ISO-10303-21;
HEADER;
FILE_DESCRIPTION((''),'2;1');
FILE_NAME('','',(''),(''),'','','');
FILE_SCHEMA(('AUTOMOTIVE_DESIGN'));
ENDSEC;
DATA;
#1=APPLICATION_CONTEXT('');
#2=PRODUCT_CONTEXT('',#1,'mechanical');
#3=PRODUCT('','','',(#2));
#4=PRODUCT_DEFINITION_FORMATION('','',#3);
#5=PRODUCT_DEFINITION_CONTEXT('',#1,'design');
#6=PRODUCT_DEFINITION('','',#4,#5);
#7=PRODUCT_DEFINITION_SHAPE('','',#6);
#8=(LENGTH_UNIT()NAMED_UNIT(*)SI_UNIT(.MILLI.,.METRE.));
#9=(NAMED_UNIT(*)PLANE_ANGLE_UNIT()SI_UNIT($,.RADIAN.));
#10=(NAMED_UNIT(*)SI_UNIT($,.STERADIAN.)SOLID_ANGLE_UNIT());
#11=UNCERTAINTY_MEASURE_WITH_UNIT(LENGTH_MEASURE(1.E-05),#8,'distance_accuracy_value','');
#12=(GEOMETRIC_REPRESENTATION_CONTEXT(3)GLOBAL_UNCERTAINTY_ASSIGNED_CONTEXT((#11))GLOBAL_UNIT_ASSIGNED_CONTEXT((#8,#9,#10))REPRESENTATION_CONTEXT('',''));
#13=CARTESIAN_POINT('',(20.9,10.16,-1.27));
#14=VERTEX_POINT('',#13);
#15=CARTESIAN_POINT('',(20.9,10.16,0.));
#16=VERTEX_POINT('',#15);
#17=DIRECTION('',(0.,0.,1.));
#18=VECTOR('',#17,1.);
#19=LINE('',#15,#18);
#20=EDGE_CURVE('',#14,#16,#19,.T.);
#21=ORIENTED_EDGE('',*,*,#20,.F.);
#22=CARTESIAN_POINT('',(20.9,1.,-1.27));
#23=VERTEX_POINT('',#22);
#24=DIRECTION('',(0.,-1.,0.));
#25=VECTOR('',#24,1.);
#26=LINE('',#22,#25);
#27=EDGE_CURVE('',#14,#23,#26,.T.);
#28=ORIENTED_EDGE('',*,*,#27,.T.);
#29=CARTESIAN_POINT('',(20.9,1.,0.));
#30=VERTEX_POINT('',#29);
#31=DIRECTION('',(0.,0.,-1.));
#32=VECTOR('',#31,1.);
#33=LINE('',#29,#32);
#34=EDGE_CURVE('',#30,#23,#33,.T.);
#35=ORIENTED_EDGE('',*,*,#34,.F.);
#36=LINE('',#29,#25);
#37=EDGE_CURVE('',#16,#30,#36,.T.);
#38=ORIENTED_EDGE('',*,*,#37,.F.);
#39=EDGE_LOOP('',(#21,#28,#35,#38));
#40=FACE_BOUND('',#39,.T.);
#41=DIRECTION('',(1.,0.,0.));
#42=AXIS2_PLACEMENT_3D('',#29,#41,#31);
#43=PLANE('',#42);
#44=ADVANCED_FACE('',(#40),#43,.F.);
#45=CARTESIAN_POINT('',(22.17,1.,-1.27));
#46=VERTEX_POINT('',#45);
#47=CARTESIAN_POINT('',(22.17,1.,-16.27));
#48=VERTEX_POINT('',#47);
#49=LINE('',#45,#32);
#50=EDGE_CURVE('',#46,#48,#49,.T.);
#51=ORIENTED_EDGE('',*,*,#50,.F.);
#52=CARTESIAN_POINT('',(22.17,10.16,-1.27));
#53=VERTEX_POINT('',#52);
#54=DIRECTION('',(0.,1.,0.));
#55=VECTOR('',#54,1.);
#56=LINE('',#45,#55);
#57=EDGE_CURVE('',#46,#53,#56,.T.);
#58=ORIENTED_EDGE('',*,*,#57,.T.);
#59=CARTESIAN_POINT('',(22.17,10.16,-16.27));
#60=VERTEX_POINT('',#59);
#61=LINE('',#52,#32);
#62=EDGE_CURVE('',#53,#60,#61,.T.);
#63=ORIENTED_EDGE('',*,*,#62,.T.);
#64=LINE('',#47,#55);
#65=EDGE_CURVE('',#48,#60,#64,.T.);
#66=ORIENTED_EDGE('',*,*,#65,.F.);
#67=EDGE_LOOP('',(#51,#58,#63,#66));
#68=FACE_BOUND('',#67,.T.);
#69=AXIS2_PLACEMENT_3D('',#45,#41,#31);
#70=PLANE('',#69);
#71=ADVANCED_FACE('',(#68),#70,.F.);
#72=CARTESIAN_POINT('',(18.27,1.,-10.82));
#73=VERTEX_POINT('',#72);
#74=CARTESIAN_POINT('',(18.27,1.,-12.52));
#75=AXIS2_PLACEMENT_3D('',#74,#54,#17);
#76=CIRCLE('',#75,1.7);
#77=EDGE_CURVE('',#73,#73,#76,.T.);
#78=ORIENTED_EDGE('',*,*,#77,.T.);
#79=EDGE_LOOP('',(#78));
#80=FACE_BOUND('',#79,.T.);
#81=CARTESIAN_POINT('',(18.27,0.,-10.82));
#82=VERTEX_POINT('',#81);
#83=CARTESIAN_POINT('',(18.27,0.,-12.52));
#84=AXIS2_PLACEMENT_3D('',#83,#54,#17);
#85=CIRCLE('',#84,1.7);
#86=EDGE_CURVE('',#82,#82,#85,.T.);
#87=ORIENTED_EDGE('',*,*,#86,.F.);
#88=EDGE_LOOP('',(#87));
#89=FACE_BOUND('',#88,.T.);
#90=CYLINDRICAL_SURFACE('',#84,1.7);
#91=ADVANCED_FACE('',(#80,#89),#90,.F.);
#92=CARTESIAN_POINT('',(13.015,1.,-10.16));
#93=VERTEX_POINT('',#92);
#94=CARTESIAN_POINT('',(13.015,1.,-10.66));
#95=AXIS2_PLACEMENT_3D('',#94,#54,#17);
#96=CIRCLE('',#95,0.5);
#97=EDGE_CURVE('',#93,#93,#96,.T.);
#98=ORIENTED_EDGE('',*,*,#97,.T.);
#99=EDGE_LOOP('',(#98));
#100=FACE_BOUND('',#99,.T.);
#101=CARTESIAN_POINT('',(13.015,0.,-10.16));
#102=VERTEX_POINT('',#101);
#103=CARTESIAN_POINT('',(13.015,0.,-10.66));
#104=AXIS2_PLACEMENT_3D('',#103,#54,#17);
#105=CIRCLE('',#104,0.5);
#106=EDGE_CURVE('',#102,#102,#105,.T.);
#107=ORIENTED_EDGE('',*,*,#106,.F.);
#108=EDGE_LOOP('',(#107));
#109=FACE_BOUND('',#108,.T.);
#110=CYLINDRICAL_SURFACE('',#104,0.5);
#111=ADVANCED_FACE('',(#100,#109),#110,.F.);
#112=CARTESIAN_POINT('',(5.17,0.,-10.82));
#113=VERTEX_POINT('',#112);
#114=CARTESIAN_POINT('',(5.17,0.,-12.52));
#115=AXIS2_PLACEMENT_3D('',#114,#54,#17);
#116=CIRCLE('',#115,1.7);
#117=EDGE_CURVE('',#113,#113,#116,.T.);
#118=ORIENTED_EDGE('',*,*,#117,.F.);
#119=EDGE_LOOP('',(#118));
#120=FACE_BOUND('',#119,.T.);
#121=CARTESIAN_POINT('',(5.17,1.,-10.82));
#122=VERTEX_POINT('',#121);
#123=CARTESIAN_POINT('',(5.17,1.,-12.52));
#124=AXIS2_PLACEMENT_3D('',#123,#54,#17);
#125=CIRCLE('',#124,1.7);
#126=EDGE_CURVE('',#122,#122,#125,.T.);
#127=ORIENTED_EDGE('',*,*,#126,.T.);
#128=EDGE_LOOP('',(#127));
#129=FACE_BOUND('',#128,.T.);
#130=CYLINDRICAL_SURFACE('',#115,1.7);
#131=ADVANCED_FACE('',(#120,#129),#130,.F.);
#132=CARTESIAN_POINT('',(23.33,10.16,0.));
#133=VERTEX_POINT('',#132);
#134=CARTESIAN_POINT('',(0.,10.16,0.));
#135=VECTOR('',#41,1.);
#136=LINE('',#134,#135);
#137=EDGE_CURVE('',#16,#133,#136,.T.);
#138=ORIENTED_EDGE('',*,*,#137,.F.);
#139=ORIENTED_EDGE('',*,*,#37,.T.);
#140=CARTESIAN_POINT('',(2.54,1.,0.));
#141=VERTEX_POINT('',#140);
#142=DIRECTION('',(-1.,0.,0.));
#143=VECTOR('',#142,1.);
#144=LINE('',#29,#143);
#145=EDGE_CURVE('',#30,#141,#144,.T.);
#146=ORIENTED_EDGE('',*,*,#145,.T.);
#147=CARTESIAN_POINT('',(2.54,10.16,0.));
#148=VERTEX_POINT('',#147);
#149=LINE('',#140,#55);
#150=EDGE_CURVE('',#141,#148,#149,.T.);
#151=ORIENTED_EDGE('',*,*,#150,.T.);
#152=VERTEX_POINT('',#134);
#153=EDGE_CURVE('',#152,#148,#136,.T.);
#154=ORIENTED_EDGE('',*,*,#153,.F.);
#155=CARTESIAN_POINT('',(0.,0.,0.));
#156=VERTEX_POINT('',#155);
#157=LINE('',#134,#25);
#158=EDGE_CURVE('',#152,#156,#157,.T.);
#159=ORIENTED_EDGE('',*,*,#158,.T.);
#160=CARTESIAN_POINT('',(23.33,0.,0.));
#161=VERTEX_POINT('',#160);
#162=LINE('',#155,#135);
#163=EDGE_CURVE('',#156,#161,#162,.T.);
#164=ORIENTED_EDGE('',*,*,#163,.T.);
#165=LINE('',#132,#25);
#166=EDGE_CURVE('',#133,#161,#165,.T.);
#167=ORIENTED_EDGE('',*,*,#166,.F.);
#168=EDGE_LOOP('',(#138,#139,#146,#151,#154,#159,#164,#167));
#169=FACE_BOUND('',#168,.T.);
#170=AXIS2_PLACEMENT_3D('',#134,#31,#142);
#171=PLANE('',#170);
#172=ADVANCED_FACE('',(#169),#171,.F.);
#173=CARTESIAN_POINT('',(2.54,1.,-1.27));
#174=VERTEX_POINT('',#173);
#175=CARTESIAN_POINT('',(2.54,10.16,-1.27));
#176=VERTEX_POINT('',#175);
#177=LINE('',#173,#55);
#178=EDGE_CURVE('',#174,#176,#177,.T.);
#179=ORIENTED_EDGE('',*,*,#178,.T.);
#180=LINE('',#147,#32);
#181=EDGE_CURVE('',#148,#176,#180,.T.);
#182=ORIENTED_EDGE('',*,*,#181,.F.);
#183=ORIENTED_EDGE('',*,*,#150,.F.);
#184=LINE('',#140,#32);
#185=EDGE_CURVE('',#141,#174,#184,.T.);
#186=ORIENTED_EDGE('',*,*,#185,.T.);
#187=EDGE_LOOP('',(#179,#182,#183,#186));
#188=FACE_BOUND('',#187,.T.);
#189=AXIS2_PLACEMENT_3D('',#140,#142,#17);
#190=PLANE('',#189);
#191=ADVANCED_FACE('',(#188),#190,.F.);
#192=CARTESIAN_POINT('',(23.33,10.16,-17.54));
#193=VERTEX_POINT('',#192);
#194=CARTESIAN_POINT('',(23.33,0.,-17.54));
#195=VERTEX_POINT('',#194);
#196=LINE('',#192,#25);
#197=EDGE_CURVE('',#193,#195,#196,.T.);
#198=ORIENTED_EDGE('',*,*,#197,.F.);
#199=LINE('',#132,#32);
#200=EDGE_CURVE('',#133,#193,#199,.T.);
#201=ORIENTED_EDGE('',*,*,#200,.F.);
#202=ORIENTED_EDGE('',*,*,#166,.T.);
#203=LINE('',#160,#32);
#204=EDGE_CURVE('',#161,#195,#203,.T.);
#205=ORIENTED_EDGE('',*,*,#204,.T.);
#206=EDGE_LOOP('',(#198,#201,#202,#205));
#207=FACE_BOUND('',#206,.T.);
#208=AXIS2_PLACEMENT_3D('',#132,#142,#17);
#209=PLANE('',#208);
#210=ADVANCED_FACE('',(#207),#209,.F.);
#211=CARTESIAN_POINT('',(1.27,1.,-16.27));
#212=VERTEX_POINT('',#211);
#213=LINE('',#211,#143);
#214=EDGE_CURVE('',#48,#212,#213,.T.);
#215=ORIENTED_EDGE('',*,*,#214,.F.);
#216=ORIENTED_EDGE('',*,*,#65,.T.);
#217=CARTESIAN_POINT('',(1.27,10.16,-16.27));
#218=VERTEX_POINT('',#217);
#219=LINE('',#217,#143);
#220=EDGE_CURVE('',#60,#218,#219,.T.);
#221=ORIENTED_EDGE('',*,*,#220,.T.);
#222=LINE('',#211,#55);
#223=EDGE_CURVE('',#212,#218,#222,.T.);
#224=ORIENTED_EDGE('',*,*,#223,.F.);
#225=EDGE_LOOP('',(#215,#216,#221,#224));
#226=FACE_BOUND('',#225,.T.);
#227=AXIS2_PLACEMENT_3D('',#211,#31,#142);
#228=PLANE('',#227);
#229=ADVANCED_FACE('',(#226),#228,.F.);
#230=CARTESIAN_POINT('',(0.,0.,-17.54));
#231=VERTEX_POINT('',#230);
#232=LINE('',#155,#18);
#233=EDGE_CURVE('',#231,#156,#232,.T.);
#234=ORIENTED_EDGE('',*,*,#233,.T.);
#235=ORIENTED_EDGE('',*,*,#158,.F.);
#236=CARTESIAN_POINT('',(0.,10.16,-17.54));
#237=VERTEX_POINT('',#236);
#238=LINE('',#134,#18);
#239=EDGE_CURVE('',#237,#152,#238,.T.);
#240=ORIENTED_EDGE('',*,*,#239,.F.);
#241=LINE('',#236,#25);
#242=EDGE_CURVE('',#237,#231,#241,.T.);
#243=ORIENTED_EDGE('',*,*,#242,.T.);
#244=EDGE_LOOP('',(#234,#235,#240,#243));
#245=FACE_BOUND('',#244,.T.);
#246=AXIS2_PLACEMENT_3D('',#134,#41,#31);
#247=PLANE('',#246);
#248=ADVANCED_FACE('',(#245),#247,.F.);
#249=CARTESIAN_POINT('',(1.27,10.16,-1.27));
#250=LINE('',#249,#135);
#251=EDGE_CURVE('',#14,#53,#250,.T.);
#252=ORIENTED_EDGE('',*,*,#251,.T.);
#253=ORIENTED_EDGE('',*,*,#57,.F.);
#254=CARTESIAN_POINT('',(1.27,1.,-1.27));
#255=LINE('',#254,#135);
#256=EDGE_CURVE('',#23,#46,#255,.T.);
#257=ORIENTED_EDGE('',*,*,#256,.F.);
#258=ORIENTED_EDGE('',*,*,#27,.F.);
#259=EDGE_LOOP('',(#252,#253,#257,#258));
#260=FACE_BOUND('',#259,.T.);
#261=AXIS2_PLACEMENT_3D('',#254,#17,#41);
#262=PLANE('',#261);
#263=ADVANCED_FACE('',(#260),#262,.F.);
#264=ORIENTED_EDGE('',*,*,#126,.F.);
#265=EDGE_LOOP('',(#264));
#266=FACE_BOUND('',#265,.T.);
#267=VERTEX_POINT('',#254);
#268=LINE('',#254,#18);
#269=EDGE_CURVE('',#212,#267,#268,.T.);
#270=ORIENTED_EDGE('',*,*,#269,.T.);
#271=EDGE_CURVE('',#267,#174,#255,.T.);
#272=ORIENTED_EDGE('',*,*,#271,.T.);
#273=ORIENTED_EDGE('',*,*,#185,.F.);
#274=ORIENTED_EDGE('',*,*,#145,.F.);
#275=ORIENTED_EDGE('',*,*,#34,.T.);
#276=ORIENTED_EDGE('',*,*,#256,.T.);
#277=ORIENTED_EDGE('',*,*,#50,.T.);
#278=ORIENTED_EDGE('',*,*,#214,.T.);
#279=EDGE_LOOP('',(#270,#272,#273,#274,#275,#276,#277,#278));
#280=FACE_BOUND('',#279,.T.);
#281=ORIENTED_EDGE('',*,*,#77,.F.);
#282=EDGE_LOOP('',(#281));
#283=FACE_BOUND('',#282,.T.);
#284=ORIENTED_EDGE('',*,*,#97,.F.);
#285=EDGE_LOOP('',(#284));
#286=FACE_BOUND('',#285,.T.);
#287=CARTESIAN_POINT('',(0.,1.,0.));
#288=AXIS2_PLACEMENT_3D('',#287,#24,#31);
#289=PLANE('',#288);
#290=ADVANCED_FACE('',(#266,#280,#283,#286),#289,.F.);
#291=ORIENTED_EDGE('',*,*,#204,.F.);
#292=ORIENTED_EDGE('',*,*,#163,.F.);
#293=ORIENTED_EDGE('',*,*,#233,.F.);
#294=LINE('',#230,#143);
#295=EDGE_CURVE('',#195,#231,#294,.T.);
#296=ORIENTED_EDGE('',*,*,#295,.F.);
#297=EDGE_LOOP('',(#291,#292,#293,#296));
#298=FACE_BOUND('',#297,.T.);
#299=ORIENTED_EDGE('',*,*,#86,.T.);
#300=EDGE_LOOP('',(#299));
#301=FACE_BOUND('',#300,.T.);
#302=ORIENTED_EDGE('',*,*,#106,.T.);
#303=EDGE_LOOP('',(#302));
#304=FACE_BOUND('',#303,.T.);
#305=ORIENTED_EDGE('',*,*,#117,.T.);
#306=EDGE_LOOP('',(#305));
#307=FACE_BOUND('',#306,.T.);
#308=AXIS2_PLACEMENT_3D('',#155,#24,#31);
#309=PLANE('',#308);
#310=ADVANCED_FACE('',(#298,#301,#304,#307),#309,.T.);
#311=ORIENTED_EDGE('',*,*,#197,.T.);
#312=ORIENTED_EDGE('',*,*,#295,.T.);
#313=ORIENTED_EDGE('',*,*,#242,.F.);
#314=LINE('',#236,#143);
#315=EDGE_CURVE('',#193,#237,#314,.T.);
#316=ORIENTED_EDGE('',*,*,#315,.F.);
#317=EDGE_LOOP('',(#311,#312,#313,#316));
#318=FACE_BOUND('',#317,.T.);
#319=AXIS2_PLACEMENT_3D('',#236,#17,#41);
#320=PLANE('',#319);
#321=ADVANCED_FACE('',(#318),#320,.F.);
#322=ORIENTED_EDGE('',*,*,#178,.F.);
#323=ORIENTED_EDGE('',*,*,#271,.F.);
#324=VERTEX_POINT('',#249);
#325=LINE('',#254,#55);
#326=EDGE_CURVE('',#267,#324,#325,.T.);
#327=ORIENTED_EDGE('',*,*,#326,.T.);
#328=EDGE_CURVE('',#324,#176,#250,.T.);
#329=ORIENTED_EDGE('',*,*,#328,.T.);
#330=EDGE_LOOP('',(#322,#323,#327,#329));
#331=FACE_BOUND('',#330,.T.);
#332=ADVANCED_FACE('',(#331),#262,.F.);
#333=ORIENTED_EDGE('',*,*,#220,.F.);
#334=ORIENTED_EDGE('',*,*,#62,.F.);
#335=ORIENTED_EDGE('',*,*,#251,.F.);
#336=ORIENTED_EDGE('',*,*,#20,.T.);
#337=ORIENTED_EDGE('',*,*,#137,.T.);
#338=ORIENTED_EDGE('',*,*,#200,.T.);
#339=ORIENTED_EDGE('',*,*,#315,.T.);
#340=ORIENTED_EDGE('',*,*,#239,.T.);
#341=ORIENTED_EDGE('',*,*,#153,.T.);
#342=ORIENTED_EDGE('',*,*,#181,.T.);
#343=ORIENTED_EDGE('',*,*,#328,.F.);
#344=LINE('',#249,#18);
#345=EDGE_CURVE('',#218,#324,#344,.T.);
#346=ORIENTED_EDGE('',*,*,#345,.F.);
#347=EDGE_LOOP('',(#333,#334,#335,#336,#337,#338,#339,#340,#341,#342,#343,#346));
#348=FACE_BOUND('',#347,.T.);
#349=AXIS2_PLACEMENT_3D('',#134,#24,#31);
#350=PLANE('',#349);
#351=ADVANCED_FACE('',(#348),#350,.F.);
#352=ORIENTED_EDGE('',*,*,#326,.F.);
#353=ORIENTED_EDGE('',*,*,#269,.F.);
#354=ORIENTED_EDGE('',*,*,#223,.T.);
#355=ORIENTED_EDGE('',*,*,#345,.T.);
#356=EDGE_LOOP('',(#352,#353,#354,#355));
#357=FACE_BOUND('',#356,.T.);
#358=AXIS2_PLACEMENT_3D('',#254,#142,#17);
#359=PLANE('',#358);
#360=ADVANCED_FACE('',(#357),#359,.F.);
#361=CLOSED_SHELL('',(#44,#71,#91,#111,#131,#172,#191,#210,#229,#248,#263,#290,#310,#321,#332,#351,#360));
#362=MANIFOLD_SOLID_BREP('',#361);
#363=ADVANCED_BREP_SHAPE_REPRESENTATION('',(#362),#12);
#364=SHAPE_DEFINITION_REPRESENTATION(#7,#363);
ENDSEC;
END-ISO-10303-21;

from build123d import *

# Parameters (mm, degrees)
SKETCH1_W           = 23.33
SKETCH1_H           = 17.54
BOSS_EXTRUDE1_DEPTH = 10.16
SKETCH2_W           = 20.9
SKETCH2_H           = 15
CUT_EXTRUDE1_DEPTH  = 9.16
SKETCH3_R           = 1.7
SKETCH3_R_2         = 0.5
CUT_EXTRUDE2_DEPTH  = 31.591601789
SKETCH4_W           = 18.36
SKETCH4_H           = 12.01194936
CUT_EXTRUDE3_DEPTH  = 31.20310249


with BuildPart() as part:
    # Sketch1 → Boss-Extrude1 (new body)
    with BuildSketch(Plane(origin=(0, 0, 0), x_dir=(1, 0, 0), z_dir=(0, 1, 0))):
        with Locations((11.665, 8.77)):
            Rectangle(SKETCH1_W, SKETCH1_H)
    extrude(amount=BOSS_EXTRUDE1_DEPTH)

    # Sketch2 → Cut-Extrude1 (cut)
    with BuildSketch(Plane(origin=(0, 10.16, 0), x_dir=(1, 0, 0), z_dir=(0, 1, 0))):
        with Locations((11.72, 8.77)):
            Rectangle(SKETCH2_W, SKETCH2_H)
    extrude(amount=-CUT_EXTRUDE1_DEPTH, mode=Mode.SUBTRACT)

    # Sketch3 → Cut-Extrude2 (cut, through all)
    with BuildSketch(Plane(origin=(0, 1, 0), x_dir=(1, 0, 0), z_dir=(0, 1, 0))):
        with Locations(Location((5.17, 12.52, 0), (0, 0, 270))):
            Circle(SKETCH3_R)
        with Locations(Location((18.27, 12.52, 0), (0, 0, 270))):
            Circle(SKETCH3_R)
        with Locations(Location((13.015, 10.66, 0), (0, 0, 270))):
            Circle(SKETCH3_R_2)
    extrude(amount=-CUT_EXTRUDE2_DEPTH, mode=Mode.SUBTRACT)

    # Sketch4 → Cut-Extrude3 (cut, through all)
    with BuildSketch(Plane(origin=(0, 0, -1.27), x_dir=(-1, 0, 0), z_dir=(0, 0, -1))):
        with Locations((-11.72, 7.00597468)):
            Rectangle(SKETCH4_W, SKETCH4_H)
    extrude(amount=-CUT_EXTRUDE3_DEPTH, mode=Mode.SUBTRACT)


solid = part.part
